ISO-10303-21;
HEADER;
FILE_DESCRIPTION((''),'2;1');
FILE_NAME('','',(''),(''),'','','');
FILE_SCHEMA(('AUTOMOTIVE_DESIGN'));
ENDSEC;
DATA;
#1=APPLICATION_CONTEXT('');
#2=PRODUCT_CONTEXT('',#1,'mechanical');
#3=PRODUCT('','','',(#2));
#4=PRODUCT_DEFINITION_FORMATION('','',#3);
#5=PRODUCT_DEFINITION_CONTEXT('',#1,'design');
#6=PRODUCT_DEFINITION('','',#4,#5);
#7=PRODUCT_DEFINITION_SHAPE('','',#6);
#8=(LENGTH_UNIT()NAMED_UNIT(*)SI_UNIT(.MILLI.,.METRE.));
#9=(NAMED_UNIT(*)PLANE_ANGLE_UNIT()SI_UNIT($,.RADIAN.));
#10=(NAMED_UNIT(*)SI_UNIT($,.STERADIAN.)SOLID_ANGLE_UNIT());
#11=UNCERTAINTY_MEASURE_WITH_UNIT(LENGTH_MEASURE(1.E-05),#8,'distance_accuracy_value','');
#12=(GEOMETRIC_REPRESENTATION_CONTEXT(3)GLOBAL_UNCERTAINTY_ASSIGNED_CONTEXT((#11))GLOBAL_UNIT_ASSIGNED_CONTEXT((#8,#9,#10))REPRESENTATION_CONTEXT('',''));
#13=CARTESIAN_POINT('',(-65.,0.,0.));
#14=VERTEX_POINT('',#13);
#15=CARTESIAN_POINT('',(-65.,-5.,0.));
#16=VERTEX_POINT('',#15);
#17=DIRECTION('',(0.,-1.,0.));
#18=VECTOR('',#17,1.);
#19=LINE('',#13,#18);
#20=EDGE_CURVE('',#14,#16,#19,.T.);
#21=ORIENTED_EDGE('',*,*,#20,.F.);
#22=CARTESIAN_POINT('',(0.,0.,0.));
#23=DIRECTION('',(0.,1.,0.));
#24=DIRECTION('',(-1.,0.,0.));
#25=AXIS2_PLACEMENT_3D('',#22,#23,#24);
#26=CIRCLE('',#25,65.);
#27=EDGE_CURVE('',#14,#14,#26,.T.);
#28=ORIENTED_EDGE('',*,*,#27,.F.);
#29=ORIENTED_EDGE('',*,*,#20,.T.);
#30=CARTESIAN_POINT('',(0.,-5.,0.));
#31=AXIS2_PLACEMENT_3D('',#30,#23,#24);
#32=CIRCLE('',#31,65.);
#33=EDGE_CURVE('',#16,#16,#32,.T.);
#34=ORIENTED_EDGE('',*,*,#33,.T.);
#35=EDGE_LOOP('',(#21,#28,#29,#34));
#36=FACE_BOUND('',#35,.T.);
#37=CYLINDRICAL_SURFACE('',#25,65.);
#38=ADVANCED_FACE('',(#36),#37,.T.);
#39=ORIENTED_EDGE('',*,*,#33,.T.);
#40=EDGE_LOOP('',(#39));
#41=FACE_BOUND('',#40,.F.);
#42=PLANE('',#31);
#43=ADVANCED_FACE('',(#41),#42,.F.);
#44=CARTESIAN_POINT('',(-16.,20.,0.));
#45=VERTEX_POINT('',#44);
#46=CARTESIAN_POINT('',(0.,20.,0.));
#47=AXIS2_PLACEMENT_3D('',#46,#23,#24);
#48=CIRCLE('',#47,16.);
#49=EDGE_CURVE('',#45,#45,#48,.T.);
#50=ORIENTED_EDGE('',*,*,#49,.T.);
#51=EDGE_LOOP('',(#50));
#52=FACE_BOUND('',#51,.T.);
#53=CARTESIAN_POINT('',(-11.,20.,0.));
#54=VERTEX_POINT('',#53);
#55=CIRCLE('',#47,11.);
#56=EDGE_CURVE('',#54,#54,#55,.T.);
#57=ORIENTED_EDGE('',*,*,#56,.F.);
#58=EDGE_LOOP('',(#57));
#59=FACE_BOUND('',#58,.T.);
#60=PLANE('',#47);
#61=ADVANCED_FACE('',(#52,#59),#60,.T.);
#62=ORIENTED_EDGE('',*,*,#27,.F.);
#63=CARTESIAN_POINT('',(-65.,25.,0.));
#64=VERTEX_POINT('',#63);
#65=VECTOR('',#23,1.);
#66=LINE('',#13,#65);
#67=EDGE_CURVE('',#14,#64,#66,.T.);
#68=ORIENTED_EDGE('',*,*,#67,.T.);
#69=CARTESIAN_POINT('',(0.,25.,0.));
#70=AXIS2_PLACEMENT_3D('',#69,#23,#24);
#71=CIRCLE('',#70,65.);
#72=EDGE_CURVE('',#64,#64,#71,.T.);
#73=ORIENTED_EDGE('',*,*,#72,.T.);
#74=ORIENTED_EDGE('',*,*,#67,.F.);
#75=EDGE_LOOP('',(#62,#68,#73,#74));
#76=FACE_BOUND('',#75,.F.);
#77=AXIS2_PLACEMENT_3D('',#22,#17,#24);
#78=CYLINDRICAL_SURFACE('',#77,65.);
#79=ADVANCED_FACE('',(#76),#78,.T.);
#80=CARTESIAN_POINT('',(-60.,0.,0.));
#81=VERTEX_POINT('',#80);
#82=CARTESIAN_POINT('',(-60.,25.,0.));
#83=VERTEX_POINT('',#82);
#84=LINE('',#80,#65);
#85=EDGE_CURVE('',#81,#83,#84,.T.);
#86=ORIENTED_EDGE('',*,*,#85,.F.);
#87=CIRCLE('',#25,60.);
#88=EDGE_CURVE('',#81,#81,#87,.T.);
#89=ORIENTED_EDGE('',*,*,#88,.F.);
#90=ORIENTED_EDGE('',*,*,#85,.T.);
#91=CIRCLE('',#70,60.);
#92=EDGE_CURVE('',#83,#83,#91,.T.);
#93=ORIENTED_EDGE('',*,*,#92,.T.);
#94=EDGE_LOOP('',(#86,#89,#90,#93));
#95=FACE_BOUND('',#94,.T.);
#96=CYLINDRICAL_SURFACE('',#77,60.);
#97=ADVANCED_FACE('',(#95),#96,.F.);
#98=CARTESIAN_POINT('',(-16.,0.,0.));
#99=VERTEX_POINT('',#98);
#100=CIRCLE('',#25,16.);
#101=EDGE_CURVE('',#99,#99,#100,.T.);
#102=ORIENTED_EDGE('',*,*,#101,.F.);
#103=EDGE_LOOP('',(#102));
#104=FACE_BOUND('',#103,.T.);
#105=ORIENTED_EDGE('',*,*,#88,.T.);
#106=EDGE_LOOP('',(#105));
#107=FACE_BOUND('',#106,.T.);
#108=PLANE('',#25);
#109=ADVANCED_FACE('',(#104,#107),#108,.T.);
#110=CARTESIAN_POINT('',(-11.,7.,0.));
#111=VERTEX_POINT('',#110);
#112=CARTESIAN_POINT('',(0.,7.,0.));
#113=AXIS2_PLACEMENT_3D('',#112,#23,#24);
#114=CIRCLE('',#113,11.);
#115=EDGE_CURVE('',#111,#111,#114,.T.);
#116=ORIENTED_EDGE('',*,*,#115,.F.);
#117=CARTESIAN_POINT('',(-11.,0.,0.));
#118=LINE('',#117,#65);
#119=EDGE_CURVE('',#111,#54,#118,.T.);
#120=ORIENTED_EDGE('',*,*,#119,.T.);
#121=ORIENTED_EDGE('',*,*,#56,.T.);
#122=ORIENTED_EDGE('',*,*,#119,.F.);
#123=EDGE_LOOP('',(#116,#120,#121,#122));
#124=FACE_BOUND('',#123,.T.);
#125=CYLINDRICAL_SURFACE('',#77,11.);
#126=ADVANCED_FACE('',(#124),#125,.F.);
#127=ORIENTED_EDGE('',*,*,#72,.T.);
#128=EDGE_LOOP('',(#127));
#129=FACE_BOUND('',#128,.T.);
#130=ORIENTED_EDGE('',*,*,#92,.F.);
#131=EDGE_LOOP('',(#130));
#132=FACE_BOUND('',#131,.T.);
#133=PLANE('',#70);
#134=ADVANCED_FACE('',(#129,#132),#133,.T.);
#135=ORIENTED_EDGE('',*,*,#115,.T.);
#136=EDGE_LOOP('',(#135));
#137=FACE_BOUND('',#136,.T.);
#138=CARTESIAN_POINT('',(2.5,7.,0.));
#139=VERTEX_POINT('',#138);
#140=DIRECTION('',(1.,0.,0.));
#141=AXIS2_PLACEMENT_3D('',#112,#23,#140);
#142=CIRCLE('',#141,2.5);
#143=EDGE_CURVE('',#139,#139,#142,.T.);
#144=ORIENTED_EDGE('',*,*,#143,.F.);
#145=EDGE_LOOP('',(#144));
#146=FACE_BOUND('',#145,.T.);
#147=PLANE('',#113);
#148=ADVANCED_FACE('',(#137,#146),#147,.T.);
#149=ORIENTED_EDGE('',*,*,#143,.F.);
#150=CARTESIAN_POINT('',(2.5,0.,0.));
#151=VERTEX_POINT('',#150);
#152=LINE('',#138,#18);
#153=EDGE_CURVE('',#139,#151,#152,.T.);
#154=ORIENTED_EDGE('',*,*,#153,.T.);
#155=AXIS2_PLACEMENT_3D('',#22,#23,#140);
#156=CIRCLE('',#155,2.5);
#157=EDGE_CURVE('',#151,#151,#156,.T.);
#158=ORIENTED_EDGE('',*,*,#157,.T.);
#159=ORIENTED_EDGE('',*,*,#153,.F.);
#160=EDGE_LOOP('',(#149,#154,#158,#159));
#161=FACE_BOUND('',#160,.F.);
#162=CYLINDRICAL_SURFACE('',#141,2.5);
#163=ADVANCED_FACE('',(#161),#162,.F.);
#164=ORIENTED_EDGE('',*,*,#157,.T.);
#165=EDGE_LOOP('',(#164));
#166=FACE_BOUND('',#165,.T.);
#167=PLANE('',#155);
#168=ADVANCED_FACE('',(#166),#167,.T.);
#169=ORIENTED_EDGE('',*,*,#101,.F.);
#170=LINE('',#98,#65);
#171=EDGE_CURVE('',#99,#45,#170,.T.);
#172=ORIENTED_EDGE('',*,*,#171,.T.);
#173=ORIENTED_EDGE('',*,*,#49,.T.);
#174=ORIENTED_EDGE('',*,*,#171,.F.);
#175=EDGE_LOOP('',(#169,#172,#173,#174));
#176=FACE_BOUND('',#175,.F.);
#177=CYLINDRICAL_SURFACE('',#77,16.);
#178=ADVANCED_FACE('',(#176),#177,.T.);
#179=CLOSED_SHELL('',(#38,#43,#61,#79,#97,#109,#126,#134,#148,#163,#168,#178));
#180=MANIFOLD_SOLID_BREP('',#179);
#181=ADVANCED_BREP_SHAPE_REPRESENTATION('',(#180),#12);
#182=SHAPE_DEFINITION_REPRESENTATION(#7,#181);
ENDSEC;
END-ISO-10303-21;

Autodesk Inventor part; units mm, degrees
ref_plane "YZ Plane" through (0, 0, 0) normal (1, 0, 0) x (0, 1, 0)
ref_plane "XZ Plane" through (0, 0, 0) normal (0, 1, 0) x (-1, 0, 0)
ref_plane "XY Plane" through (0, 0, 0) normal (0, 0, 1) x (1, 0, 0)
sketch "スケッチ1" plane through (0, 0, 0) normal (0, 1, 0) x (-1, 0, 0)
  circle A0 centre (0, 0) radius 65
  circle A1 centre (0, 0) radius 60
  circle A2 centre (0, 0) radius 11
  circle A3 centre (0, 0) radius 16
  dimension "d0" = 130
  dimension "d1" = 120
  dimension "d3" = 32
  dimension "d18" = 22
extrude "押し出し1" add sketch "スケッチ1" against normal blind 5 contours A0 | A1 | A2 | A3
extrude "押し出し2" add sketch "スケッチ1" along normal blind 20 contours A3
extrude "押し出し3" add sketch "スケッチ1" along normal blind 25 contours A0
extrude "押し出し5" add sketch "スケッチ1" along normal blind 7 contours A2
sketch "スケッチ3" plane through (0, 7, 0) normal (0, 1, 0) x (1, 0, 0)
  circle A0 centre (0, 0) radius 2.5
  dimension "d15" = 5
extrude "押し出し6" cut sketch "スケッチ3" against normal blind 7
properties part number "tire out130 in 22 5mm inward"
